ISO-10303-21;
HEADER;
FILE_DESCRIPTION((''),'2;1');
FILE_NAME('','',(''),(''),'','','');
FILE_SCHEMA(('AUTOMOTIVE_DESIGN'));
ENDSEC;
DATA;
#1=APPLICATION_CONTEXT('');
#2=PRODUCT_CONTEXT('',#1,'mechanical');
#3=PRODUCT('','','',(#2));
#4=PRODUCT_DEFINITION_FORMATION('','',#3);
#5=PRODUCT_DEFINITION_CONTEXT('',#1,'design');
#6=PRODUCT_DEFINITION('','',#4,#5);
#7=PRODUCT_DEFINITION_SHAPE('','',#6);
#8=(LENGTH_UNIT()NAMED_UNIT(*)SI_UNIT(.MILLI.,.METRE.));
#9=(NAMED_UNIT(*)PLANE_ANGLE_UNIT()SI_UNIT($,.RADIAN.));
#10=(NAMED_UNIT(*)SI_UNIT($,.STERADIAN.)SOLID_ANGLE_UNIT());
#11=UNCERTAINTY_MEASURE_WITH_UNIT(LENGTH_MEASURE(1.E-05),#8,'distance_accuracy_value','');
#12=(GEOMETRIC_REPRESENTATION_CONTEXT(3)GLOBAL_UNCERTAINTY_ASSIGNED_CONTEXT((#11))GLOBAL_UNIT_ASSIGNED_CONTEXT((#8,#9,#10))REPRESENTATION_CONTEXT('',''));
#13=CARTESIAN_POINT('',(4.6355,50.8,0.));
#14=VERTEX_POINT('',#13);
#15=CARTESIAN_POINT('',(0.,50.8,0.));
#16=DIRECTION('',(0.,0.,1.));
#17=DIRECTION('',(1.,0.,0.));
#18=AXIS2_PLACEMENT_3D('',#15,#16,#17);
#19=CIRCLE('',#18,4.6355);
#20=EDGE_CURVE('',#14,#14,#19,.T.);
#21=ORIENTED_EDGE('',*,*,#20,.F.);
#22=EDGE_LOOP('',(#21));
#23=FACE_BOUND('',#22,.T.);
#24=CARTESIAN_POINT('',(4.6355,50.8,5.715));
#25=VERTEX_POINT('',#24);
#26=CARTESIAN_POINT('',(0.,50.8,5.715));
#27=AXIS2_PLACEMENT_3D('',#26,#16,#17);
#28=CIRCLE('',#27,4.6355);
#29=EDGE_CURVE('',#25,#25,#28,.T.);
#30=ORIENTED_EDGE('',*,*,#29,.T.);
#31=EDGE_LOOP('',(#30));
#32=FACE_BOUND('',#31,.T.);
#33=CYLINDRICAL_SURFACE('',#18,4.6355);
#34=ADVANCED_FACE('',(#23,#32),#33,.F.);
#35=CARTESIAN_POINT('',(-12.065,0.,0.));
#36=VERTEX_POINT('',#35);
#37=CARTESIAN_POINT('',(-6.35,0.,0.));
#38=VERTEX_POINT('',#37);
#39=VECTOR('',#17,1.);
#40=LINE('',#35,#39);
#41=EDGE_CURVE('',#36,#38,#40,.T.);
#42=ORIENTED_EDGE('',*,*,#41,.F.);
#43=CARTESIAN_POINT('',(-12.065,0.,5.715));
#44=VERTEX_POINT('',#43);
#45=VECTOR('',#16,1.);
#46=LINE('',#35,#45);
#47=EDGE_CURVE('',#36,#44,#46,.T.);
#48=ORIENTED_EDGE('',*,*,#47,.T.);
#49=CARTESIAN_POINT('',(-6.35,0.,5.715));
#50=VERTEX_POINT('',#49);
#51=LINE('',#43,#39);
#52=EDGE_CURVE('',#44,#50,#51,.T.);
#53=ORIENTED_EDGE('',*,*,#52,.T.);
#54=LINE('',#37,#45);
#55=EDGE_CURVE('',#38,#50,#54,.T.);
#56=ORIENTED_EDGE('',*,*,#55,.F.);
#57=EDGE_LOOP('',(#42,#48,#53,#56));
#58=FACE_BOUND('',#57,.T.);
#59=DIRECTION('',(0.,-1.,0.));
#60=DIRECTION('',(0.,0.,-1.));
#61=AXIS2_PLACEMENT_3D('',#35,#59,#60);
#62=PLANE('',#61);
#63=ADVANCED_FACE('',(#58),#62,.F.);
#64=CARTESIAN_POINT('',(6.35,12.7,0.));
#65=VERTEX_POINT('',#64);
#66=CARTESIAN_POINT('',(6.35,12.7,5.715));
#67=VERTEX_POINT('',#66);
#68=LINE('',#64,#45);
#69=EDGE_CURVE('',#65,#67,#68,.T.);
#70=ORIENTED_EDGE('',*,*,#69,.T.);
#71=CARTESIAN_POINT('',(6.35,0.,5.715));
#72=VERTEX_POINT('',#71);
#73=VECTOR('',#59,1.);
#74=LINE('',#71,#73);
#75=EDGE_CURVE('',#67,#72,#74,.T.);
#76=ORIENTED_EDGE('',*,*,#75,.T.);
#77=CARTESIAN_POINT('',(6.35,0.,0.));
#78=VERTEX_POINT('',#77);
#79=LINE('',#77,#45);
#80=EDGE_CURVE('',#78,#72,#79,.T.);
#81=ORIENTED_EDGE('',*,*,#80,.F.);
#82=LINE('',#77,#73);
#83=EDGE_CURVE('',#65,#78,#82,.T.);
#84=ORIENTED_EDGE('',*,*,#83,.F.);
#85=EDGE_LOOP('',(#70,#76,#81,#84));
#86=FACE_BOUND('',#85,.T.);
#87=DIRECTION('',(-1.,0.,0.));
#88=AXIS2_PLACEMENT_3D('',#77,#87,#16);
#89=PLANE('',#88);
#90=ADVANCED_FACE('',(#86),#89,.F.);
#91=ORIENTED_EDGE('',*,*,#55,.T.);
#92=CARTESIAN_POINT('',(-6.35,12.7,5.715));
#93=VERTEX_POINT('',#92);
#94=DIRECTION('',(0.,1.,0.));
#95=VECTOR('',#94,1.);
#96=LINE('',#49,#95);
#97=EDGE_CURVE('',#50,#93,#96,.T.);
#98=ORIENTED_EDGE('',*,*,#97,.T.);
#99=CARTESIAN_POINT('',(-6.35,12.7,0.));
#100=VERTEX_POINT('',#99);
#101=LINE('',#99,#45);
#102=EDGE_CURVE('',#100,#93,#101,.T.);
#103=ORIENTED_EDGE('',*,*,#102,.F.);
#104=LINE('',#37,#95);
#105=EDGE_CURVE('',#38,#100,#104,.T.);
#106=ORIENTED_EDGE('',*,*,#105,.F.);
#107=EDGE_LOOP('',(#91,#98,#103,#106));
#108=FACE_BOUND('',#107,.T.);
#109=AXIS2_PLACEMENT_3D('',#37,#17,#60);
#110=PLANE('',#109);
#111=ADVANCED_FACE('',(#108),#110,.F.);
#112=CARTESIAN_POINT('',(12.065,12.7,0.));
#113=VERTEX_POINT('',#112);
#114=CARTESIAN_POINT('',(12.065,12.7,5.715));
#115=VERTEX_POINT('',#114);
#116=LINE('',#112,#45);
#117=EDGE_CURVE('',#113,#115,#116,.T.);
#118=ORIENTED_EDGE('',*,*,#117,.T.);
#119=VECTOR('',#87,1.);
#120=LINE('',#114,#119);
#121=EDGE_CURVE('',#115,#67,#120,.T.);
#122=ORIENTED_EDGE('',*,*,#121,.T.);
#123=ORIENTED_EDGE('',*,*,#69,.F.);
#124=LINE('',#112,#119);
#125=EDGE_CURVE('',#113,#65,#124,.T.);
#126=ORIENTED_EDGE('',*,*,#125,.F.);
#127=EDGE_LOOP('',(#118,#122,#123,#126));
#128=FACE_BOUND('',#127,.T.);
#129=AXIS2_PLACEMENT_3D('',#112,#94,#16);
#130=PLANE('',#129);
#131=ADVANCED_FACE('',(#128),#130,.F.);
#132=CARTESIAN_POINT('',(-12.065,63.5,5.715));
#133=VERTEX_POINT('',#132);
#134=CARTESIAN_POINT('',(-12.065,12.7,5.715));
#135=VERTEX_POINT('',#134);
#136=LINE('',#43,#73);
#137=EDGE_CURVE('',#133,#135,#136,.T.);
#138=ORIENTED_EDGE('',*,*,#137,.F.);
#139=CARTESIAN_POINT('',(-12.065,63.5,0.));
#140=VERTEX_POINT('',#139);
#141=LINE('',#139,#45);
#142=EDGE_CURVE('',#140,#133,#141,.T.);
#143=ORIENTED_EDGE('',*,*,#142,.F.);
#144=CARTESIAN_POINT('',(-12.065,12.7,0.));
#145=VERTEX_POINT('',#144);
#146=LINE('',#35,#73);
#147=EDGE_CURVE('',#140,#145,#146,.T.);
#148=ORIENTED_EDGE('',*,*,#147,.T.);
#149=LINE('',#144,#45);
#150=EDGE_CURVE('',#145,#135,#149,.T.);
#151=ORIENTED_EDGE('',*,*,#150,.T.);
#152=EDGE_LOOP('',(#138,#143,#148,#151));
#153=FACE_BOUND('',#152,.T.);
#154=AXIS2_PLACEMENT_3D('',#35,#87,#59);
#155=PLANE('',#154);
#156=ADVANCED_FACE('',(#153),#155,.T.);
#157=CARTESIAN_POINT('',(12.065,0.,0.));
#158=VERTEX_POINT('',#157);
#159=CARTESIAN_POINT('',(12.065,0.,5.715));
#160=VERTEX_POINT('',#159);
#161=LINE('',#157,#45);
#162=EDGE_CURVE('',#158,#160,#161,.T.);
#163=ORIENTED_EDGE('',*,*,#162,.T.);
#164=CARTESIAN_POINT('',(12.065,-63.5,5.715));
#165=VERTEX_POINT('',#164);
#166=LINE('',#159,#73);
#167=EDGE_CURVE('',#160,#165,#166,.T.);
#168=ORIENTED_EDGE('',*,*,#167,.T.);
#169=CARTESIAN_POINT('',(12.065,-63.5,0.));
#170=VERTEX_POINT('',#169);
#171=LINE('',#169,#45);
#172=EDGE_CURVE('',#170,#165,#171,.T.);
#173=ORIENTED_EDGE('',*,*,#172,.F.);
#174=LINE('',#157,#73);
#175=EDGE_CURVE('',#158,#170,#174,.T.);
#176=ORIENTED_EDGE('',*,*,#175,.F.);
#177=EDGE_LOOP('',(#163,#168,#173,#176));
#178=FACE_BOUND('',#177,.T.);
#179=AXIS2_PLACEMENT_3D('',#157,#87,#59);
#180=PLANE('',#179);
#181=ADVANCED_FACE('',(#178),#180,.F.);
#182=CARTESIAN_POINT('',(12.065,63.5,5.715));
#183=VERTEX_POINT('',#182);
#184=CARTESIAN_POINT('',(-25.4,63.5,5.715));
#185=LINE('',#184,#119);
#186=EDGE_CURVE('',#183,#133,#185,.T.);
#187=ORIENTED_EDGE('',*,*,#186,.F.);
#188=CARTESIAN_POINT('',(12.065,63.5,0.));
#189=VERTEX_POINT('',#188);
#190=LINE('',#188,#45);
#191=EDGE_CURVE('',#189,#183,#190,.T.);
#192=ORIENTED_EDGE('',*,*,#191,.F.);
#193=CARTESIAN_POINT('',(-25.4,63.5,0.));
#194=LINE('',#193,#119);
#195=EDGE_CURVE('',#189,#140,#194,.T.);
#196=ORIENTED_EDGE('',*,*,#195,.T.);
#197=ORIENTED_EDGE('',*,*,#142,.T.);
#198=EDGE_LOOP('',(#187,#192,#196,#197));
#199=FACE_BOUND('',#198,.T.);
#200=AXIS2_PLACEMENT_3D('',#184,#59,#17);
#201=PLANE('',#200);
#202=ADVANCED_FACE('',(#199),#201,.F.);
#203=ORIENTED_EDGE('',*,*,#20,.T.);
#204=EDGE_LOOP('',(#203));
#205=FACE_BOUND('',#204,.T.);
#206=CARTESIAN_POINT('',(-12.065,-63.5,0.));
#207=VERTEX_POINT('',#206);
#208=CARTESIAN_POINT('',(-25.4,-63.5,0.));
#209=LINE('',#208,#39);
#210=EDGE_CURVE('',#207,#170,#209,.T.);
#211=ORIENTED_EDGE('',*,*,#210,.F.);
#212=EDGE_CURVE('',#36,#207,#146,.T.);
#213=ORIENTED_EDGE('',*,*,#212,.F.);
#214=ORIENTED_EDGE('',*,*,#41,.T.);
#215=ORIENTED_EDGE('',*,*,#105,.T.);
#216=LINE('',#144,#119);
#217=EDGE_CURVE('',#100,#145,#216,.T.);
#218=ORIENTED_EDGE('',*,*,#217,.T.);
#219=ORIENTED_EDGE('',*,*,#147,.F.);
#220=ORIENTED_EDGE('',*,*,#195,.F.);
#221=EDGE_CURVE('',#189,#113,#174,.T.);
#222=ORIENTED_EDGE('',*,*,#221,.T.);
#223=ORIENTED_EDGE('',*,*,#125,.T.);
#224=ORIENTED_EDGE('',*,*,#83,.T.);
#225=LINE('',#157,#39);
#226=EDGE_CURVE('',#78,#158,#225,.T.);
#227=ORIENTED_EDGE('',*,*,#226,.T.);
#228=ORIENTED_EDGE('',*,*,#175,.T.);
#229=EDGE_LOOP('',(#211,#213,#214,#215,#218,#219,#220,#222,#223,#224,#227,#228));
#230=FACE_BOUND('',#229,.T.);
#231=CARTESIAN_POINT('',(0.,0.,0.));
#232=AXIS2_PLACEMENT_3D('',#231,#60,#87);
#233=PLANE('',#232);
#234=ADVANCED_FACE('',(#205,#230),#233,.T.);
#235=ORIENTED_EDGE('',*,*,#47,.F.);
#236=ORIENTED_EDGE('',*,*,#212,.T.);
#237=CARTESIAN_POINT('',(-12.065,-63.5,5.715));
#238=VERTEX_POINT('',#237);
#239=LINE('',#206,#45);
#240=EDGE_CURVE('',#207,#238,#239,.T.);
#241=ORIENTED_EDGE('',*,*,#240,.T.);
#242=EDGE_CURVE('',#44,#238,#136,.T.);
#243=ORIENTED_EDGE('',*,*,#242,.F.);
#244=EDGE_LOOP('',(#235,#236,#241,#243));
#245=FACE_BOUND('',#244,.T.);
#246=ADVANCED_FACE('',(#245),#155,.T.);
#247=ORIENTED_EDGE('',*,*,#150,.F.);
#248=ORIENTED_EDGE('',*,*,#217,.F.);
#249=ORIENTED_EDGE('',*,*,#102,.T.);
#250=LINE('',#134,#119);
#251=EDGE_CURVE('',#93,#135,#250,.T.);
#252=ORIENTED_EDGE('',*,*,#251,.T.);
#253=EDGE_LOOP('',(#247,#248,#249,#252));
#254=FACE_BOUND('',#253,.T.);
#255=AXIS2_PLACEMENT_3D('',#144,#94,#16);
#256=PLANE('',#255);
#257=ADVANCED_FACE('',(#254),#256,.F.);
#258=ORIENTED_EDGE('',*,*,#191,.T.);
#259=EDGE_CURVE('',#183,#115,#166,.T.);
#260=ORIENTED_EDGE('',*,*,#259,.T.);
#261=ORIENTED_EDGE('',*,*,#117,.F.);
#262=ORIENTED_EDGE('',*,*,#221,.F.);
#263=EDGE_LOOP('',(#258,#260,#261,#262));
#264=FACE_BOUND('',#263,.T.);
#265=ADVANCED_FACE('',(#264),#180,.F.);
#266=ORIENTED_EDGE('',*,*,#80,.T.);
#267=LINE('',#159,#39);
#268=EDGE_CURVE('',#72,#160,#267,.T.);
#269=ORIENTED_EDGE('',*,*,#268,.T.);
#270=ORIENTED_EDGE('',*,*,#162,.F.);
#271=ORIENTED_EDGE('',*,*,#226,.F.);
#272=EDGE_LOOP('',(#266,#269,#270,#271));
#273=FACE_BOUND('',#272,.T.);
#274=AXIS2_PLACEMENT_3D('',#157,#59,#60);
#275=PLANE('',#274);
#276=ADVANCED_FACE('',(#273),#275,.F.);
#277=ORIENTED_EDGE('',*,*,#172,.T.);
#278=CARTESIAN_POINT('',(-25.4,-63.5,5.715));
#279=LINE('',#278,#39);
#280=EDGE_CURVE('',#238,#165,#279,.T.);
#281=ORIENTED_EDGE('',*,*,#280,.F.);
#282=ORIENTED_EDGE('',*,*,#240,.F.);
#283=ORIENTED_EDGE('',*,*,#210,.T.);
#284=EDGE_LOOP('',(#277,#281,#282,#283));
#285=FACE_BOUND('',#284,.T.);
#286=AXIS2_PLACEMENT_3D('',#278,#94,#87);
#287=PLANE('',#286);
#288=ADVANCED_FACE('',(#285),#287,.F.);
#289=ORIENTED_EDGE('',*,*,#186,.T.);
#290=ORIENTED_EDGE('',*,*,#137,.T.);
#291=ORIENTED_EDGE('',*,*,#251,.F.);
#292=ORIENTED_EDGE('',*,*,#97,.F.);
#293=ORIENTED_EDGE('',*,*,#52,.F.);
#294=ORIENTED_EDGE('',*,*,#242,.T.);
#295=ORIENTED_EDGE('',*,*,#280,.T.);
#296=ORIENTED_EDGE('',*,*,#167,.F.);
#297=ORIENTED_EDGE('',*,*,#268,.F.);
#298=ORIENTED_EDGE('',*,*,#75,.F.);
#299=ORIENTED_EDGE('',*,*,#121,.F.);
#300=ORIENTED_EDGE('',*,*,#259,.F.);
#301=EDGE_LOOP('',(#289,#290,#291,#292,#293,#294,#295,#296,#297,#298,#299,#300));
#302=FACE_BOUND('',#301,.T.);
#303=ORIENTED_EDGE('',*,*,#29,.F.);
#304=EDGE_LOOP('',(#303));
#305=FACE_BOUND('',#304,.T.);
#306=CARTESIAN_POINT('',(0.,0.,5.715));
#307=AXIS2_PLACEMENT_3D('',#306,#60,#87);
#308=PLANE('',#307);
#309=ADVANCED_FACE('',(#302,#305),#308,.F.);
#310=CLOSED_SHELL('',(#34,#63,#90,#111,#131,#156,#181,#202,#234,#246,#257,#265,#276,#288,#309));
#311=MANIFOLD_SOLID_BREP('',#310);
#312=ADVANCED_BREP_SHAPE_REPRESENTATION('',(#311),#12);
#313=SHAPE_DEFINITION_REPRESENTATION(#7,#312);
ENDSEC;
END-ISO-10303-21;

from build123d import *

# Parameters (mm, degrees)
SKETCH1_W           = 50.8
SKETCH1_H           = 127
BOSS_EXTRUDE1_DEPTH = 5.715
SKETCH2_R           = 4.6355
SKETCH2_W           = 5.715
SKETCH2_H           = 12.7
CUT_EXTRUDE1_DEPTH  = 6.715
CUT_EXTRUDE2_DEPTH  = 6.715


with BuildPart() as part:
    # Sketch1 → Boss-Extrude1 (new body)
    with BuildSketch(Plane.XY):
        Rectangle(SKETCH1_W, SKETCH1_H)
    extrude(amount=BOSS_EXTRUDE1_DEPTH)

    # Sketch2 → Cut-Extrude1 (cut, through all)
    with BuildSketch(Plane.XY.offset(5.715)):
        with Locations((0, 50.8)):
            Circle(SKETCH2_R)
        with Locations((-9.2075, 6.35)):
            Rectangle(SKETCH2_W, SKETCH2_H)
        with Locations((9.2075, 6.35)):
            Rectangle(SKETCH2_W, SKETCH2_H)
    extrude(amount=-CUT_EXTRUDE1_DEPTH, mode=Mode.SUBTRACT)

    # Sketch3 → Cut-Extrude2 (cut, through all)
    with BuildSketch(Plane.XY.offset(5.715)):
        Polygon((-12.065, 12.7), (-12.065, 63.5), (-25.4, 63.5), (-25.4, -63.5), (-12.065, -63.5), (-12.065, 0), align=None)
        Polygon((25.4, 63.5), (12.065, 63.5), (12.065, 12.7), (12.065, 0), (12.065, -63.5), (25.4, -63.5), align=None)
    extrude(amount=-CUT_EXTRUDE2_DEPTH, mode=Mode.SUBTRACT)


solid = part.part
